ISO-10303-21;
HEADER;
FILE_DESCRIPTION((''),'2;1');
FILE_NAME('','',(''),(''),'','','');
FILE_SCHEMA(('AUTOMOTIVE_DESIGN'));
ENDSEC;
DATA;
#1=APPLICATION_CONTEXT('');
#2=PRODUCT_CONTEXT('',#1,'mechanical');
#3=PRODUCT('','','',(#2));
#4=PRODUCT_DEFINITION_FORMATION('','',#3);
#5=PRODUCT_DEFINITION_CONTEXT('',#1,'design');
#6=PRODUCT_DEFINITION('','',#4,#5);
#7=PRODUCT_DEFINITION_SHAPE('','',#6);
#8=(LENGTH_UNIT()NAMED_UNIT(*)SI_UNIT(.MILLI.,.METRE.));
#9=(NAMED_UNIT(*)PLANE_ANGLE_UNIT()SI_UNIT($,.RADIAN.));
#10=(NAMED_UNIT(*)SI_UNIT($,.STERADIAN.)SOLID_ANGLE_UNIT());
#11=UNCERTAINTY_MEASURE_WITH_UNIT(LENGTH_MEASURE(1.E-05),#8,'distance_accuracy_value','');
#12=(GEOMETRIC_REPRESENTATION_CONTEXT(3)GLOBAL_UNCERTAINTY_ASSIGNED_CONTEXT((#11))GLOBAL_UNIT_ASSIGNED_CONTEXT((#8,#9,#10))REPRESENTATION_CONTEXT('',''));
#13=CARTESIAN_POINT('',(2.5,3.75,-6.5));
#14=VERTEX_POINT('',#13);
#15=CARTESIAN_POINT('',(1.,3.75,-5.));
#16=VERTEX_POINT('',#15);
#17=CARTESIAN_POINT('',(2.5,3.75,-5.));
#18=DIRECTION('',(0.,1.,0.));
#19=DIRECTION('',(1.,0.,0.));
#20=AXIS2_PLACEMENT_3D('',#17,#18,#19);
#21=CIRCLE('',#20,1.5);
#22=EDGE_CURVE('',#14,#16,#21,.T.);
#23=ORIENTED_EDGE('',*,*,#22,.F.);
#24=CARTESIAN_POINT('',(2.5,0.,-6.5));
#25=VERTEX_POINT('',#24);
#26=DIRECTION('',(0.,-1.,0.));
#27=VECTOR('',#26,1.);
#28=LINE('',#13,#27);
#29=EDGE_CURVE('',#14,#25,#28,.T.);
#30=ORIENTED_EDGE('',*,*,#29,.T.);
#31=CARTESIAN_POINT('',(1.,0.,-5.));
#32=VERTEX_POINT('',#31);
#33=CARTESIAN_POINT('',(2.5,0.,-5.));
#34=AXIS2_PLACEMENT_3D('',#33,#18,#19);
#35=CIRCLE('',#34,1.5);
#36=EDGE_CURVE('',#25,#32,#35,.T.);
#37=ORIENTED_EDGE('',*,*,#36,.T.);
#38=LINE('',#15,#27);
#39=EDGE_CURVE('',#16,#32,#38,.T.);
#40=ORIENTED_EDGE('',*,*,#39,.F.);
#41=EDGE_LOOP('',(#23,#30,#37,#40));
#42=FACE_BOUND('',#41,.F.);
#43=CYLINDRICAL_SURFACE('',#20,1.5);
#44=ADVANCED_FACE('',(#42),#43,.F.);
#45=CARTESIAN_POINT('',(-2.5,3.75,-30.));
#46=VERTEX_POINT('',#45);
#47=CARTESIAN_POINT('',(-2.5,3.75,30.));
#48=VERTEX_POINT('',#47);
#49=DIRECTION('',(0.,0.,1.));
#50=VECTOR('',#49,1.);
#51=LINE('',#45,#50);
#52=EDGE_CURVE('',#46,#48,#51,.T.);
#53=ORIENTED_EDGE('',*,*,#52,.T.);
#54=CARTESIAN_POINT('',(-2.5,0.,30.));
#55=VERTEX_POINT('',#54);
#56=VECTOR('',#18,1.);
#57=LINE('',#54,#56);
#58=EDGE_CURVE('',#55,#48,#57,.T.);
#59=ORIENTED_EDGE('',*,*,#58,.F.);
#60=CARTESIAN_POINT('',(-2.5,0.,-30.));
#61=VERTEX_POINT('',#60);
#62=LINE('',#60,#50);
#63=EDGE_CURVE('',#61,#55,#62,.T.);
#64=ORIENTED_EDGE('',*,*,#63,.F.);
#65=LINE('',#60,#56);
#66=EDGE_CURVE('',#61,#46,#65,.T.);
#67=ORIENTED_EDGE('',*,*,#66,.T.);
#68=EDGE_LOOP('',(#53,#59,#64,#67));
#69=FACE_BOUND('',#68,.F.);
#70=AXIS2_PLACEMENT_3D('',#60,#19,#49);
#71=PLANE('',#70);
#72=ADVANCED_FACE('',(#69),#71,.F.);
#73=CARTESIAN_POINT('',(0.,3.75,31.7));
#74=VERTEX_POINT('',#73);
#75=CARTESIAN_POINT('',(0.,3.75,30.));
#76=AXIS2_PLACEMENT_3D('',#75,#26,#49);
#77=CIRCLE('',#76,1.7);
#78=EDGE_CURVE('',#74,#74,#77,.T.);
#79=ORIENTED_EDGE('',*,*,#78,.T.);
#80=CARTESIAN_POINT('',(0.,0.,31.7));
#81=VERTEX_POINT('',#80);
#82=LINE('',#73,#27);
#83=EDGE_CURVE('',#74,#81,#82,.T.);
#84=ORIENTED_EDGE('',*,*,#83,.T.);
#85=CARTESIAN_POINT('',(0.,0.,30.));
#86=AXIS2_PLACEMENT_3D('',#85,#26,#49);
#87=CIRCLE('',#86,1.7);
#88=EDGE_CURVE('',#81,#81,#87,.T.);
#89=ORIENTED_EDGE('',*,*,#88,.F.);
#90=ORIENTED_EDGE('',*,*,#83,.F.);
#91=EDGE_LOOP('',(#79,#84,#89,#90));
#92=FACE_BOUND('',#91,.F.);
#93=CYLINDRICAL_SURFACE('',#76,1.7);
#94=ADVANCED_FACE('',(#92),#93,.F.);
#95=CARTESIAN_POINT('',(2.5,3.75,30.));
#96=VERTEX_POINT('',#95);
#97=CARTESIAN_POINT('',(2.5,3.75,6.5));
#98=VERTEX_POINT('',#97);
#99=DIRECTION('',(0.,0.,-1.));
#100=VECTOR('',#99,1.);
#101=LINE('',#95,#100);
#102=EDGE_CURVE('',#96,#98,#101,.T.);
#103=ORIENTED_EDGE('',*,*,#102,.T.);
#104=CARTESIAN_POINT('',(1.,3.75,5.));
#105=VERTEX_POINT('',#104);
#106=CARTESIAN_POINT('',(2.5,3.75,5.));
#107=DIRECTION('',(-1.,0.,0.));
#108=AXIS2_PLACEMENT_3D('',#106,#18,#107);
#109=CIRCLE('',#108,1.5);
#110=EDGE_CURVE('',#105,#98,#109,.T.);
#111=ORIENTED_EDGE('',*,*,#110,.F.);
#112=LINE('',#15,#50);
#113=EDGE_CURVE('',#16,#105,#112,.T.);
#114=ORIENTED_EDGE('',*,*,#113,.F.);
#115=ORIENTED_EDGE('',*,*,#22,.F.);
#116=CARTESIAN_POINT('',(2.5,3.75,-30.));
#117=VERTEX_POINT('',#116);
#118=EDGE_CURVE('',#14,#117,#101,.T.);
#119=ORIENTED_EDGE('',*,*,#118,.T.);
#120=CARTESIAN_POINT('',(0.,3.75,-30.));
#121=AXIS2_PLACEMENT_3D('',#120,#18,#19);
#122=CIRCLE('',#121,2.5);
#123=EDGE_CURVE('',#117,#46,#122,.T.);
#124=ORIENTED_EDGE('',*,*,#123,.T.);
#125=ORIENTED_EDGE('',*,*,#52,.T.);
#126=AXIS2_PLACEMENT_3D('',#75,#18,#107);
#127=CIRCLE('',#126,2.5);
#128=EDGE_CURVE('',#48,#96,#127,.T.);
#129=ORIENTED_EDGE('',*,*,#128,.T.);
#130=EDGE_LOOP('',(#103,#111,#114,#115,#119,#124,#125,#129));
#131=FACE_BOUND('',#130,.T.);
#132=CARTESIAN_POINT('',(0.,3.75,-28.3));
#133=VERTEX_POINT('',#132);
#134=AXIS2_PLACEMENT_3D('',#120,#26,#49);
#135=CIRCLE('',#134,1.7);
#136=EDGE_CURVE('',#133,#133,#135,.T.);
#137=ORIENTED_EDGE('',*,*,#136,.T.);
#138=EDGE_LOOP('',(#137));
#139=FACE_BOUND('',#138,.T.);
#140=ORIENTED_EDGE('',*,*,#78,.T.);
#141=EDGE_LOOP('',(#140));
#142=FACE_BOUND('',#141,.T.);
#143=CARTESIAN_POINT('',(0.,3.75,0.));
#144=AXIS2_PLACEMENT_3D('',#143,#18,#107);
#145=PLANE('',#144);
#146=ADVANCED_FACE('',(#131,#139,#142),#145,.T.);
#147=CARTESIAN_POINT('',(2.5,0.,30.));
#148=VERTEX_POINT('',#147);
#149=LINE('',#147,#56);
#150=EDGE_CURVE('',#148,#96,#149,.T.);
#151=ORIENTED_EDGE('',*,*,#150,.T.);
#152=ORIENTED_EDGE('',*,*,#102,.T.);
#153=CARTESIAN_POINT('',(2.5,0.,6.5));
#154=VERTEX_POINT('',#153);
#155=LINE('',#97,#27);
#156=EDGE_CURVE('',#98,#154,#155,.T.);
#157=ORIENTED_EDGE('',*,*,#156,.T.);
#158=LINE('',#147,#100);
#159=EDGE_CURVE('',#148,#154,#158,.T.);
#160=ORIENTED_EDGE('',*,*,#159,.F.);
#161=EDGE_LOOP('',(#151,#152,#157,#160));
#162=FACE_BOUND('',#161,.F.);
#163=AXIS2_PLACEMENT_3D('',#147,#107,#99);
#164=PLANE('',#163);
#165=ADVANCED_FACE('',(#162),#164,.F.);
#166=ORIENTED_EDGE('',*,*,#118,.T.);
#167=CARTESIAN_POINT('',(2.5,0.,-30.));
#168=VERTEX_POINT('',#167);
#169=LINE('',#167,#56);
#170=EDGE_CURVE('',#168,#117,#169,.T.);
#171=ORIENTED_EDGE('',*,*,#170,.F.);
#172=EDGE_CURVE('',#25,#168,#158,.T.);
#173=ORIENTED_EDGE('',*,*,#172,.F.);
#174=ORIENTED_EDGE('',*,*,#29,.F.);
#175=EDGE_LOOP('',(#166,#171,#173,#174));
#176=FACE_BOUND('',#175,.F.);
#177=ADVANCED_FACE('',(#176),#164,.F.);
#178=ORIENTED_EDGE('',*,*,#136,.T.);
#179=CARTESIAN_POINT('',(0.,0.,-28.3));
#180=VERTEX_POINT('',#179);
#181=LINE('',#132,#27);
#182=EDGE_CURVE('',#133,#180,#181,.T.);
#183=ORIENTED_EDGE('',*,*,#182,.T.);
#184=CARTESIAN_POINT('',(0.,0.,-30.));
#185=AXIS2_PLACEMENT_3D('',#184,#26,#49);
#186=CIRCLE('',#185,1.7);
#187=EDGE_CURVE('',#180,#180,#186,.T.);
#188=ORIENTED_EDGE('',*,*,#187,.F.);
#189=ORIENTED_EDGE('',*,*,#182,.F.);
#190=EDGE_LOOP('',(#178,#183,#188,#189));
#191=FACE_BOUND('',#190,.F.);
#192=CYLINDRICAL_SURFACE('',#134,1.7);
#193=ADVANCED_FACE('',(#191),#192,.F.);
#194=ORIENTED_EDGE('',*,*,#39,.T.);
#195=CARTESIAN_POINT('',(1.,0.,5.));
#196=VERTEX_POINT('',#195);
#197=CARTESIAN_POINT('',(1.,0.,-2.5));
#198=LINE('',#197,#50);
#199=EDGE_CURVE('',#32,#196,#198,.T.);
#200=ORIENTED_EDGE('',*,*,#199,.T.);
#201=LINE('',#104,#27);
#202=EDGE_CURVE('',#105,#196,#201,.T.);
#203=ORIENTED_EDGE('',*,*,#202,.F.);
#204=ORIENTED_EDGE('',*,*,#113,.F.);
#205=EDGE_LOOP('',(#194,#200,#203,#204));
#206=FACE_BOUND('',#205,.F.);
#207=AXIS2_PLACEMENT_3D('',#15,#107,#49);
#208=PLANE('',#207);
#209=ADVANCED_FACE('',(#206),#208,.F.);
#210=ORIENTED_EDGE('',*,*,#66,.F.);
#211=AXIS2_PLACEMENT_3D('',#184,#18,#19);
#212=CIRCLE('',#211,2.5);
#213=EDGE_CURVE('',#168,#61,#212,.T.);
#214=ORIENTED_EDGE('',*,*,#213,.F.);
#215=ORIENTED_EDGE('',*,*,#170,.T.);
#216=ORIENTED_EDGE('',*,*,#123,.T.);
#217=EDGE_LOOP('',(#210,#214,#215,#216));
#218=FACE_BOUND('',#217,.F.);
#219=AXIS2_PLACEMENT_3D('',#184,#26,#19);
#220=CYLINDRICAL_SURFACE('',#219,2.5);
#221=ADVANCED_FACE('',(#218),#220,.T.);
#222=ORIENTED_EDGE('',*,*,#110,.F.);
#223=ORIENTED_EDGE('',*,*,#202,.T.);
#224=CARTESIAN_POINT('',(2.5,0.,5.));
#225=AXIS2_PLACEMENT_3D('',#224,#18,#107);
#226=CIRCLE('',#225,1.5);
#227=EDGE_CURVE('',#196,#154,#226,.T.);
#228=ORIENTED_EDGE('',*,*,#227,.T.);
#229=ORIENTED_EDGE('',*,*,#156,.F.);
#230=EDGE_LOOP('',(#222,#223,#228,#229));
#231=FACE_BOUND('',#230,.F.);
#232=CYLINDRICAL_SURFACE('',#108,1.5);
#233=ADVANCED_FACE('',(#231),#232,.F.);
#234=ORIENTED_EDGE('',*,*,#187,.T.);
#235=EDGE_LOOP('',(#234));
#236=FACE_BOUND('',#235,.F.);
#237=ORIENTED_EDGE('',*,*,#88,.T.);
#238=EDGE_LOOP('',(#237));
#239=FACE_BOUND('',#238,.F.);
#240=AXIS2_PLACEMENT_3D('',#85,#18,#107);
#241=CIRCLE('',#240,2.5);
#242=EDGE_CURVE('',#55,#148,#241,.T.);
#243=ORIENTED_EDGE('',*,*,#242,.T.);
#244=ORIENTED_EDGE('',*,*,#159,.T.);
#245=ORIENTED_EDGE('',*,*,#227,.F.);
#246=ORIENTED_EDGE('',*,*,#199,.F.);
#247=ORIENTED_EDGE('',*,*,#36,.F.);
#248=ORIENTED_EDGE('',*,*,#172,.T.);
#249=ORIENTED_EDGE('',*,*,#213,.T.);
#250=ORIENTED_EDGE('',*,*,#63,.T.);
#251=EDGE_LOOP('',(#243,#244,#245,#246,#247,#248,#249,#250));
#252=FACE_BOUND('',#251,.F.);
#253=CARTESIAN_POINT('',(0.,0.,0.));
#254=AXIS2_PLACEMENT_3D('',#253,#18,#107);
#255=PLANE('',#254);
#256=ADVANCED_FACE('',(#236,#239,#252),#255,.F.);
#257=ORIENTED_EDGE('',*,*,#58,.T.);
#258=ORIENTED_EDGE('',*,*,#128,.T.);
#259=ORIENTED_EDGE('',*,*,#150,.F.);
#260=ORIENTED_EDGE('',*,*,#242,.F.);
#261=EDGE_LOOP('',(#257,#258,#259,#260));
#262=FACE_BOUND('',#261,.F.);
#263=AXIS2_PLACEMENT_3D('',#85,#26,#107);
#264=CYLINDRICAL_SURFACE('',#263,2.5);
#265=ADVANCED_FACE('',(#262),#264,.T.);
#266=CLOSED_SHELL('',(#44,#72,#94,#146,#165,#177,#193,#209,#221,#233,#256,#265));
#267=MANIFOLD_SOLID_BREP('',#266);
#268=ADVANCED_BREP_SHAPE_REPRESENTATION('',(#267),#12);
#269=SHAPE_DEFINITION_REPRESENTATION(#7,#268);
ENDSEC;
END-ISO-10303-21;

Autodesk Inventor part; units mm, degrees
ref_plane "YZ Plane" through (0, 0, 0) normal (1, 0, 0) x (0, 1, 0)
ref_plane "XZ Plane" through (0, 0, 0) normal (0, 1, 0) x (-1, 0, 0)
ref_plane "XY Plane" through (0, 0, 0) normal (0, 0, 1) x (1, 0, 0)
sketch "Sketch1" plane through (0, 0, 0) normal (0, 1, 0) x (-1, 0, 0)
  line L0 (0, 30) -> (0, -30) construction
  line L1 (-2.5, 30) -> (-2.5, -30)
  line L2 (2.5, -30) -> (2.5, 30)
  arc A0 (2.5, 30) -> (-2.5, 30) centre (0, 30) ccw
  arc A1 (-2.5, -30) -> (2.5, -30) centre (0, -30) ccw
  point P0 (0, 0)
  point P1 (0, 0)
  dimension "d0" = 60
  dimension "d1" = 5
extrude "Extrusion1" add sketch "Sketch1" along normal blind 3.75
sketch "Sketch2" plane through (0, 3.75, 0) normal (0, 1, 0) x (1, 0, 0)
  arc A0 (2.5, 30) -> (-2.5, 30) centre (0, 30) ccw projected
  line L0 (-2.5, 30) -> (-2.5, -30) projected
  arc A1 (-2.5, -30) -> (2.5, -30) centre (0, -30) ccw projected
  line L1 (2.5, -30) -> (2.5, 30) projected
  point P0 (0, 0)
hole "Hole1" at (0, 3.75, 30) at (0, 3.75, -30) direction (0, -1, 0) diameter 3.4 end through all
sketch "Sketch3" plane through (0, 3.75, 0) normal (0, 1, 0) x (1, 0, 0)
  line L0 (2.5, 5) -> (2.5, -5) construction
  line L1 (2.5, -30) -> (2.5, 30) projected
  line L2 (1, 5) -> (1, -5)
  line L3 (4, -5) -> (4, 5)
  arc A0 (4, 5) -> (1, 5) centre (2.5, 5) ccw
  arc A1 (1, -5) -> (4, -5) centre (2.5, -5) ccw
  point P0 (0, 0)
  point P1 (2.5, 0)
  point P2 (2.5, -6.5)
  point P3 (2.5, 6.5)
  dimension "d11" = 5
  dimension "d12" = 3
extrude "Extrusion2" cut sketch "Sketch3" against normal through all contours A1 L2 A0 L1
properties part number "MainLink"
